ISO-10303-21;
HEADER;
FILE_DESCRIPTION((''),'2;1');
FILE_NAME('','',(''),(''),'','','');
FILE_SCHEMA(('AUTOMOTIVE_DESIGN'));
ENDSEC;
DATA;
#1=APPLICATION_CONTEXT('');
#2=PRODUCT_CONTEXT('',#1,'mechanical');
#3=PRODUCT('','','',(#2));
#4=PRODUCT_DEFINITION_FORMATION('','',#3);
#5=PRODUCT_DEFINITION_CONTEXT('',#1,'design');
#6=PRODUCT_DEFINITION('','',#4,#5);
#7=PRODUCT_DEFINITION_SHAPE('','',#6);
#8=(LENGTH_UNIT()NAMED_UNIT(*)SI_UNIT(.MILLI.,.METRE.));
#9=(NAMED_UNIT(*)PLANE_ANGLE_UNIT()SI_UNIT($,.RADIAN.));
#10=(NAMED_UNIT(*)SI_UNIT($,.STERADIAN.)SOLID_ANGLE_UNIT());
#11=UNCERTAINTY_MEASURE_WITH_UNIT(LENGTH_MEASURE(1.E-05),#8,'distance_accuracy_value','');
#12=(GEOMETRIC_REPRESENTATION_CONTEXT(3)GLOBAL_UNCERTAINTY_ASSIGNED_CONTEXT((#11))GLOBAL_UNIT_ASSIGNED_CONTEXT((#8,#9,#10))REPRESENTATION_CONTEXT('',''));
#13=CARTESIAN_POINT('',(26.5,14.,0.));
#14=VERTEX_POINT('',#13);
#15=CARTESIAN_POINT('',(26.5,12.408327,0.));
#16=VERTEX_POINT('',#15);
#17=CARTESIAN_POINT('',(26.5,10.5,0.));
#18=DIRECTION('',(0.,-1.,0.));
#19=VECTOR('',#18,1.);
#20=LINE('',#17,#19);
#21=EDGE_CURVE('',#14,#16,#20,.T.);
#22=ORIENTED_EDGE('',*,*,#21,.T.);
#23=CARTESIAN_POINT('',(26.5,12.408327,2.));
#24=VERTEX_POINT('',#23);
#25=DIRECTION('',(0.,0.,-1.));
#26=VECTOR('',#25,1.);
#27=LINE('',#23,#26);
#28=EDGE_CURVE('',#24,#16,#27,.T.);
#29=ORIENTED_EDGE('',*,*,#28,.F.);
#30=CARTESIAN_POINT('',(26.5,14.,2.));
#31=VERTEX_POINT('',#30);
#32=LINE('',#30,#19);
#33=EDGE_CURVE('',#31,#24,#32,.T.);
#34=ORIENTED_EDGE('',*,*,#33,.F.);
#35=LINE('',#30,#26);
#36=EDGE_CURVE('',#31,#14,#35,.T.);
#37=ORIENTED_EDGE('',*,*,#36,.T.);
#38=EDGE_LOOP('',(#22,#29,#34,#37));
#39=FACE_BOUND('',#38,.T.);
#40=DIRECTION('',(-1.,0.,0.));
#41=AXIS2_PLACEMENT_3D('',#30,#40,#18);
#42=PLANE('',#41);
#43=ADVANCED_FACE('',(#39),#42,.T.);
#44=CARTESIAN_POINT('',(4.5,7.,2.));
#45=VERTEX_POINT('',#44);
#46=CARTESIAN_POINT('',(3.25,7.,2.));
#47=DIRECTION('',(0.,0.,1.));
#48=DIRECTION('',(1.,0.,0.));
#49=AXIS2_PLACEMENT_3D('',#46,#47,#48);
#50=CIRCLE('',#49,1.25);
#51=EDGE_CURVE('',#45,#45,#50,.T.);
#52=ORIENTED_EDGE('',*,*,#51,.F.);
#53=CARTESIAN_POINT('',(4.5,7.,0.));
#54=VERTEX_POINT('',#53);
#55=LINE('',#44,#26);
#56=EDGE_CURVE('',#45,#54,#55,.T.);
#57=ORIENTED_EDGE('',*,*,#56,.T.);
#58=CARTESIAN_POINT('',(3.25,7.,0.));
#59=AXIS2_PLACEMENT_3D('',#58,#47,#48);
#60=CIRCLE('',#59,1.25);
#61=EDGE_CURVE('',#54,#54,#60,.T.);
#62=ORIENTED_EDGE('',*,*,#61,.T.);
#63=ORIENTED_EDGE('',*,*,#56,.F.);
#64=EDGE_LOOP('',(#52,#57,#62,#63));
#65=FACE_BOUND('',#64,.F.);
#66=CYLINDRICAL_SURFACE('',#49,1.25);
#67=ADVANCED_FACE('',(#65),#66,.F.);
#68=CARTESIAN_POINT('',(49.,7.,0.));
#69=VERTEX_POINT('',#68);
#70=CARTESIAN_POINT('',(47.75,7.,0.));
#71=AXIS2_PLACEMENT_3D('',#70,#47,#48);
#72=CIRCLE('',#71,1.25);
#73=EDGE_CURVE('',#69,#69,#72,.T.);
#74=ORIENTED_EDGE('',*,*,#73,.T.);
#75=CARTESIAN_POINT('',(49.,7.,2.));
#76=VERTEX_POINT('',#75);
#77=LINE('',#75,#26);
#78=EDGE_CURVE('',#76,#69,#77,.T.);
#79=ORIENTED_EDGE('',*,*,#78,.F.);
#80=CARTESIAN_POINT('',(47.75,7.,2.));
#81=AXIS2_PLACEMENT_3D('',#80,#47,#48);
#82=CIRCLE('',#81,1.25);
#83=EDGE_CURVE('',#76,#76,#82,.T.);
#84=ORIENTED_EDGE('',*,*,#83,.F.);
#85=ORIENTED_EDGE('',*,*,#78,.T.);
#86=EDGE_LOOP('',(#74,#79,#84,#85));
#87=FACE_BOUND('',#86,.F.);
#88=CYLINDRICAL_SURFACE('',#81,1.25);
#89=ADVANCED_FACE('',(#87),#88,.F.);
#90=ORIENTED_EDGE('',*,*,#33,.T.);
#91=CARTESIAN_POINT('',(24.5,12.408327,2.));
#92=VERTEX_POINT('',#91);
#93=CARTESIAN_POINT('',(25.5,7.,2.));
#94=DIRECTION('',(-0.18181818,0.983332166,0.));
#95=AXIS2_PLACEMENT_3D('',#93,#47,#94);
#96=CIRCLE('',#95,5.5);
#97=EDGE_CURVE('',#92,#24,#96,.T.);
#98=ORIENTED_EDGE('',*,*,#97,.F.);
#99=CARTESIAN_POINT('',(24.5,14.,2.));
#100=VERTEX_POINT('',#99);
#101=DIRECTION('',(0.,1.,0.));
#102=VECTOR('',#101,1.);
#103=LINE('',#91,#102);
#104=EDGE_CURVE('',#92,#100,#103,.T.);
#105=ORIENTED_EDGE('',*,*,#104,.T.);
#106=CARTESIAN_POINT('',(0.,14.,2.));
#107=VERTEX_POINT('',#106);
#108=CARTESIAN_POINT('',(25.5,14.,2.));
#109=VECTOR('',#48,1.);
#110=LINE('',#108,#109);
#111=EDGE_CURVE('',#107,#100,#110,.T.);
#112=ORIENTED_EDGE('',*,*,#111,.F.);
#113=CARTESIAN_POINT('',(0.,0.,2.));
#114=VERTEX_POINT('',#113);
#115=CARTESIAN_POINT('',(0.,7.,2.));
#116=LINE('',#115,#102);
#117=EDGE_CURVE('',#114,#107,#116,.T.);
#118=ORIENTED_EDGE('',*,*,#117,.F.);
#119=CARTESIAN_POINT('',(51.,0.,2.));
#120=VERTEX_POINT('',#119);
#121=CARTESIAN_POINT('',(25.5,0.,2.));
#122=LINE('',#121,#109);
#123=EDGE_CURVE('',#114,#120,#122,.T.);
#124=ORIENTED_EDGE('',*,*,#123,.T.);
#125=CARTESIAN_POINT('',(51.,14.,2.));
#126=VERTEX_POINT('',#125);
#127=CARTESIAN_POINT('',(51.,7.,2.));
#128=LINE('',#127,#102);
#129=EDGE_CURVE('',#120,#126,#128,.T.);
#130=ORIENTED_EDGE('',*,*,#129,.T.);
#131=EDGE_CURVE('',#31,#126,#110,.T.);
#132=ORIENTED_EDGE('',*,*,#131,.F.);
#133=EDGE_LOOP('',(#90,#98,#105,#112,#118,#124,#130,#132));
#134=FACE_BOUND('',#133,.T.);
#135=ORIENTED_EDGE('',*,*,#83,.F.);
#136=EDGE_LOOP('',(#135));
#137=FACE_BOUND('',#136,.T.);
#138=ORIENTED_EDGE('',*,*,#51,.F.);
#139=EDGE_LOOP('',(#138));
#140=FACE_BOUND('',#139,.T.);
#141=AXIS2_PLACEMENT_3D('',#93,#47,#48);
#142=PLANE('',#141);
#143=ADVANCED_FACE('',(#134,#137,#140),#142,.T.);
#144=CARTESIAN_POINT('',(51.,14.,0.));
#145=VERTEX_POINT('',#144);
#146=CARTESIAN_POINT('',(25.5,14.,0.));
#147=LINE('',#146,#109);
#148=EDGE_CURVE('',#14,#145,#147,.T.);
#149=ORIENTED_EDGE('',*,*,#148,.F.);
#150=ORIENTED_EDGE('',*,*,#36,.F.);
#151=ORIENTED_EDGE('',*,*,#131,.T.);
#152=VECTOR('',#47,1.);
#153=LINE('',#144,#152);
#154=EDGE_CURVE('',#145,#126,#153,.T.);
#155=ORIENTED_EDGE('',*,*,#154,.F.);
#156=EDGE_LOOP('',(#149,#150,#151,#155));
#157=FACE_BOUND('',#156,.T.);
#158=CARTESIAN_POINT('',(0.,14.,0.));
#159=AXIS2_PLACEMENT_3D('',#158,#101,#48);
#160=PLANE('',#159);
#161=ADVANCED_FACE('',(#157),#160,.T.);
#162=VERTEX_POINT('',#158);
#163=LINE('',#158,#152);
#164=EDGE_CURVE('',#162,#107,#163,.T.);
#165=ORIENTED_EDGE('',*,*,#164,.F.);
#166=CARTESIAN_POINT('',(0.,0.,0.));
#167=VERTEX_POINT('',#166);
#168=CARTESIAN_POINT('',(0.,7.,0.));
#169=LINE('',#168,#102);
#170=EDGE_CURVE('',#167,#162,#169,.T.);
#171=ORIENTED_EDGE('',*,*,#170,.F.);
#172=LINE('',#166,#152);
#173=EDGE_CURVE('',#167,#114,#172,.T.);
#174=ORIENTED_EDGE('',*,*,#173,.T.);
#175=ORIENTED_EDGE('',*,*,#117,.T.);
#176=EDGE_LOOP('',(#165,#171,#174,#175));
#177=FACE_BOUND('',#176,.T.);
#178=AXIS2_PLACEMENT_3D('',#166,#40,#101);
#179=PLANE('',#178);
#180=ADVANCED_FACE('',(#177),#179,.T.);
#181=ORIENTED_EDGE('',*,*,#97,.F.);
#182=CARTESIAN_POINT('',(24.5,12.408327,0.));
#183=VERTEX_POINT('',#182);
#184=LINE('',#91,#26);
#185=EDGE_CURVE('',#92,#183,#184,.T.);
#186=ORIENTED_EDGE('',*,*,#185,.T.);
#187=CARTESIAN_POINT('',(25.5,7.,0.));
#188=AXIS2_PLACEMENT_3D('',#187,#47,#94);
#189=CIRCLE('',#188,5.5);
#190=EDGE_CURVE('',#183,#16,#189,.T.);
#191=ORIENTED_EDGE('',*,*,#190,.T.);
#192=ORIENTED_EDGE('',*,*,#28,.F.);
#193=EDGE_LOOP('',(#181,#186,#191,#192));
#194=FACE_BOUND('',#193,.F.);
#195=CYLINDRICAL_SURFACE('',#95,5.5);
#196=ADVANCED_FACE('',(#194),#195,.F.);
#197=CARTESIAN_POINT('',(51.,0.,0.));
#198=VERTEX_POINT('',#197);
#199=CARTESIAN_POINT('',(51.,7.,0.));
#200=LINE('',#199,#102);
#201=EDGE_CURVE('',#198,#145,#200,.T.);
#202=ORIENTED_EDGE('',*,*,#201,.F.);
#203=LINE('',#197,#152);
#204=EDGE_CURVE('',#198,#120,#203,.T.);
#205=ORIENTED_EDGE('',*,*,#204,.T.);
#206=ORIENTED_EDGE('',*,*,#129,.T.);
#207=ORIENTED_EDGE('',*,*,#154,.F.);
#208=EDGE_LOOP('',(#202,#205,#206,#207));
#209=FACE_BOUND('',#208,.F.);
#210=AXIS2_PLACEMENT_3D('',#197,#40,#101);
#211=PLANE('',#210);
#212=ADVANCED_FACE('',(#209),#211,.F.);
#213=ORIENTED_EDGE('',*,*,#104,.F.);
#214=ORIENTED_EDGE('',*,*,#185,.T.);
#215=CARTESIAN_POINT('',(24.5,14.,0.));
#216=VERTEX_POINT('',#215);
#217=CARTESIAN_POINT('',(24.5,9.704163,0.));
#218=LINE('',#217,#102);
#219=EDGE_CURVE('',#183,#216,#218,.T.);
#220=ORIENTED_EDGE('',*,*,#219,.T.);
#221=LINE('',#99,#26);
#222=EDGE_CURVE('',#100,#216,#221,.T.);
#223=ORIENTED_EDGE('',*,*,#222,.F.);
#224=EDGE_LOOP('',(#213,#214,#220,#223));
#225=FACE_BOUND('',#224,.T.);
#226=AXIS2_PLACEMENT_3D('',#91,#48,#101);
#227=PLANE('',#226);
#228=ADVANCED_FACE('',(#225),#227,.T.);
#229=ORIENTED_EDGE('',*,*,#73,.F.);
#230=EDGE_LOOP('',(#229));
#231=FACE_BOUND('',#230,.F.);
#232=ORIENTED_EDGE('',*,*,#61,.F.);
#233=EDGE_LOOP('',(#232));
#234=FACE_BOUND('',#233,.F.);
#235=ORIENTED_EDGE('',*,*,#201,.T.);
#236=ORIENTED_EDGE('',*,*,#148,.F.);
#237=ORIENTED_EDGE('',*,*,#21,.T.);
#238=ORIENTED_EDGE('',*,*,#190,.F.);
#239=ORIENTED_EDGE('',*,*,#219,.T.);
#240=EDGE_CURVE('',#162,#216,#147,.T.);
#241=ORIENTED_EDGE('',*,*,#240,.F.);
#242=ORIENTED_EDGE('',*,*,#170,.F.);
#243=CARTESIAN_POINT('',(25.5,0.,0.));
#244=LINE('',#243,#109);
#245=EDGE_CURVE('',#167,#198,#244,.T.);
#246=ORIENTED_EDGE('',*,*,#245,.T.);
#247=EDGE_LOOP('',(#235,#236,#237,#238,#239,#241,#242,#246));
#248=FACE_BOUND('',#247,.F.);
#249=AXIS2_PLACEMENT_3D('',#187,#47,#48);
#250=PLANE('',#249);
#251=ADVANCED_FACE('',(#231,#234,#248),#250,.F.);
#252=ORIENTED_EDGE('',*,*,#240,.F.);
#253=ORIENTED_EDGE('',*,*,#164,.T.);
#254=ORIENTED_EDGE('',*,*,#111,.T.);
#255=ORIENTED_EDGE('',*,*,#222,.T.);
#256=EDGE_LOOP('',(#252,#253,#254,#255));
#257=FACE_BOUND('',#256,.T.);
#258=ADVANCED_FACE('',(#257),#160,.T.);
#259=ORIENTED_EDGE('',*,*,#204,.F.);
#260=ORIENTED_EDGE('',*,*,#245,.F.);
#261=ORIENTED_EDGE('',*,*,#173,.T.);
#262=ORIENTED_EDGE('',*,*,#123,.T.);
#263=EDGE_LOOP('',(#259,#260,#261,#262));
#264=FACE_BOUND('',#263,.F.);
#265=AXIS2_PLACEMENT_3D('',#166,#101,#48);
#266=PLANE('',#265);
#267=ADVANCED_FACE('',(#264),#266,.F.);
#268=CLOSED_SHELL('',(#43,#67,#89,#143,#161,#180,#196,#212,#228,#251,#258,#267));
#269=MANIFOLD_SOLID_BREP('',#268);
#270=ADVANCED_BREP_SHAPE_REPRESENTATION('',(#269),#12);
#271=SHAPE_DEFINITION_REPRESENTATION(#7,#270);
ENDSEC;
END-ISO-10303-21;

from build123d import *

# Parameters (mm, degrees)
SKETCH_W     = 51
SKETCH_H     = 14
PAD_DEPTH    = 2
SKETCH001_R  = 1.25
POCKET_DEPTH = 5


with BuildPart() as part:
    # Sketch → Pad (new body)
    with BuildSketch(Plane.XY):
        with Locations((25.5, 7)):
            Rectangle(SKETCH_W, SKETCH_H)
    extrude(amount=PAD_DEPTH)

    # Sketch001 (on Face6 of Pad) → Pocket (cut)
    with BuildSketch(Plane.XY.offset(2)):
        with Locations((3.25, 7)):
            Circle(SKETCH001_R)
        with Locations((47.75, 7)):
            Circle(SKETCH001_R)
        with BuildLine():
            Line((24.5, 12.408327), (24.5, 14))
            Line((24.5, 14), (26.5, 14))
            Line((26.5, 14), (26.5, 12.408327))
            ThreePointArc((24.5, 12.408327), (25.5, 1.5), (26.5, 12.408327))
        make_face()
    extrude(amount=-POCKET_DEPTH, mode=Mode.SUBTRACT)


solid = part.part
